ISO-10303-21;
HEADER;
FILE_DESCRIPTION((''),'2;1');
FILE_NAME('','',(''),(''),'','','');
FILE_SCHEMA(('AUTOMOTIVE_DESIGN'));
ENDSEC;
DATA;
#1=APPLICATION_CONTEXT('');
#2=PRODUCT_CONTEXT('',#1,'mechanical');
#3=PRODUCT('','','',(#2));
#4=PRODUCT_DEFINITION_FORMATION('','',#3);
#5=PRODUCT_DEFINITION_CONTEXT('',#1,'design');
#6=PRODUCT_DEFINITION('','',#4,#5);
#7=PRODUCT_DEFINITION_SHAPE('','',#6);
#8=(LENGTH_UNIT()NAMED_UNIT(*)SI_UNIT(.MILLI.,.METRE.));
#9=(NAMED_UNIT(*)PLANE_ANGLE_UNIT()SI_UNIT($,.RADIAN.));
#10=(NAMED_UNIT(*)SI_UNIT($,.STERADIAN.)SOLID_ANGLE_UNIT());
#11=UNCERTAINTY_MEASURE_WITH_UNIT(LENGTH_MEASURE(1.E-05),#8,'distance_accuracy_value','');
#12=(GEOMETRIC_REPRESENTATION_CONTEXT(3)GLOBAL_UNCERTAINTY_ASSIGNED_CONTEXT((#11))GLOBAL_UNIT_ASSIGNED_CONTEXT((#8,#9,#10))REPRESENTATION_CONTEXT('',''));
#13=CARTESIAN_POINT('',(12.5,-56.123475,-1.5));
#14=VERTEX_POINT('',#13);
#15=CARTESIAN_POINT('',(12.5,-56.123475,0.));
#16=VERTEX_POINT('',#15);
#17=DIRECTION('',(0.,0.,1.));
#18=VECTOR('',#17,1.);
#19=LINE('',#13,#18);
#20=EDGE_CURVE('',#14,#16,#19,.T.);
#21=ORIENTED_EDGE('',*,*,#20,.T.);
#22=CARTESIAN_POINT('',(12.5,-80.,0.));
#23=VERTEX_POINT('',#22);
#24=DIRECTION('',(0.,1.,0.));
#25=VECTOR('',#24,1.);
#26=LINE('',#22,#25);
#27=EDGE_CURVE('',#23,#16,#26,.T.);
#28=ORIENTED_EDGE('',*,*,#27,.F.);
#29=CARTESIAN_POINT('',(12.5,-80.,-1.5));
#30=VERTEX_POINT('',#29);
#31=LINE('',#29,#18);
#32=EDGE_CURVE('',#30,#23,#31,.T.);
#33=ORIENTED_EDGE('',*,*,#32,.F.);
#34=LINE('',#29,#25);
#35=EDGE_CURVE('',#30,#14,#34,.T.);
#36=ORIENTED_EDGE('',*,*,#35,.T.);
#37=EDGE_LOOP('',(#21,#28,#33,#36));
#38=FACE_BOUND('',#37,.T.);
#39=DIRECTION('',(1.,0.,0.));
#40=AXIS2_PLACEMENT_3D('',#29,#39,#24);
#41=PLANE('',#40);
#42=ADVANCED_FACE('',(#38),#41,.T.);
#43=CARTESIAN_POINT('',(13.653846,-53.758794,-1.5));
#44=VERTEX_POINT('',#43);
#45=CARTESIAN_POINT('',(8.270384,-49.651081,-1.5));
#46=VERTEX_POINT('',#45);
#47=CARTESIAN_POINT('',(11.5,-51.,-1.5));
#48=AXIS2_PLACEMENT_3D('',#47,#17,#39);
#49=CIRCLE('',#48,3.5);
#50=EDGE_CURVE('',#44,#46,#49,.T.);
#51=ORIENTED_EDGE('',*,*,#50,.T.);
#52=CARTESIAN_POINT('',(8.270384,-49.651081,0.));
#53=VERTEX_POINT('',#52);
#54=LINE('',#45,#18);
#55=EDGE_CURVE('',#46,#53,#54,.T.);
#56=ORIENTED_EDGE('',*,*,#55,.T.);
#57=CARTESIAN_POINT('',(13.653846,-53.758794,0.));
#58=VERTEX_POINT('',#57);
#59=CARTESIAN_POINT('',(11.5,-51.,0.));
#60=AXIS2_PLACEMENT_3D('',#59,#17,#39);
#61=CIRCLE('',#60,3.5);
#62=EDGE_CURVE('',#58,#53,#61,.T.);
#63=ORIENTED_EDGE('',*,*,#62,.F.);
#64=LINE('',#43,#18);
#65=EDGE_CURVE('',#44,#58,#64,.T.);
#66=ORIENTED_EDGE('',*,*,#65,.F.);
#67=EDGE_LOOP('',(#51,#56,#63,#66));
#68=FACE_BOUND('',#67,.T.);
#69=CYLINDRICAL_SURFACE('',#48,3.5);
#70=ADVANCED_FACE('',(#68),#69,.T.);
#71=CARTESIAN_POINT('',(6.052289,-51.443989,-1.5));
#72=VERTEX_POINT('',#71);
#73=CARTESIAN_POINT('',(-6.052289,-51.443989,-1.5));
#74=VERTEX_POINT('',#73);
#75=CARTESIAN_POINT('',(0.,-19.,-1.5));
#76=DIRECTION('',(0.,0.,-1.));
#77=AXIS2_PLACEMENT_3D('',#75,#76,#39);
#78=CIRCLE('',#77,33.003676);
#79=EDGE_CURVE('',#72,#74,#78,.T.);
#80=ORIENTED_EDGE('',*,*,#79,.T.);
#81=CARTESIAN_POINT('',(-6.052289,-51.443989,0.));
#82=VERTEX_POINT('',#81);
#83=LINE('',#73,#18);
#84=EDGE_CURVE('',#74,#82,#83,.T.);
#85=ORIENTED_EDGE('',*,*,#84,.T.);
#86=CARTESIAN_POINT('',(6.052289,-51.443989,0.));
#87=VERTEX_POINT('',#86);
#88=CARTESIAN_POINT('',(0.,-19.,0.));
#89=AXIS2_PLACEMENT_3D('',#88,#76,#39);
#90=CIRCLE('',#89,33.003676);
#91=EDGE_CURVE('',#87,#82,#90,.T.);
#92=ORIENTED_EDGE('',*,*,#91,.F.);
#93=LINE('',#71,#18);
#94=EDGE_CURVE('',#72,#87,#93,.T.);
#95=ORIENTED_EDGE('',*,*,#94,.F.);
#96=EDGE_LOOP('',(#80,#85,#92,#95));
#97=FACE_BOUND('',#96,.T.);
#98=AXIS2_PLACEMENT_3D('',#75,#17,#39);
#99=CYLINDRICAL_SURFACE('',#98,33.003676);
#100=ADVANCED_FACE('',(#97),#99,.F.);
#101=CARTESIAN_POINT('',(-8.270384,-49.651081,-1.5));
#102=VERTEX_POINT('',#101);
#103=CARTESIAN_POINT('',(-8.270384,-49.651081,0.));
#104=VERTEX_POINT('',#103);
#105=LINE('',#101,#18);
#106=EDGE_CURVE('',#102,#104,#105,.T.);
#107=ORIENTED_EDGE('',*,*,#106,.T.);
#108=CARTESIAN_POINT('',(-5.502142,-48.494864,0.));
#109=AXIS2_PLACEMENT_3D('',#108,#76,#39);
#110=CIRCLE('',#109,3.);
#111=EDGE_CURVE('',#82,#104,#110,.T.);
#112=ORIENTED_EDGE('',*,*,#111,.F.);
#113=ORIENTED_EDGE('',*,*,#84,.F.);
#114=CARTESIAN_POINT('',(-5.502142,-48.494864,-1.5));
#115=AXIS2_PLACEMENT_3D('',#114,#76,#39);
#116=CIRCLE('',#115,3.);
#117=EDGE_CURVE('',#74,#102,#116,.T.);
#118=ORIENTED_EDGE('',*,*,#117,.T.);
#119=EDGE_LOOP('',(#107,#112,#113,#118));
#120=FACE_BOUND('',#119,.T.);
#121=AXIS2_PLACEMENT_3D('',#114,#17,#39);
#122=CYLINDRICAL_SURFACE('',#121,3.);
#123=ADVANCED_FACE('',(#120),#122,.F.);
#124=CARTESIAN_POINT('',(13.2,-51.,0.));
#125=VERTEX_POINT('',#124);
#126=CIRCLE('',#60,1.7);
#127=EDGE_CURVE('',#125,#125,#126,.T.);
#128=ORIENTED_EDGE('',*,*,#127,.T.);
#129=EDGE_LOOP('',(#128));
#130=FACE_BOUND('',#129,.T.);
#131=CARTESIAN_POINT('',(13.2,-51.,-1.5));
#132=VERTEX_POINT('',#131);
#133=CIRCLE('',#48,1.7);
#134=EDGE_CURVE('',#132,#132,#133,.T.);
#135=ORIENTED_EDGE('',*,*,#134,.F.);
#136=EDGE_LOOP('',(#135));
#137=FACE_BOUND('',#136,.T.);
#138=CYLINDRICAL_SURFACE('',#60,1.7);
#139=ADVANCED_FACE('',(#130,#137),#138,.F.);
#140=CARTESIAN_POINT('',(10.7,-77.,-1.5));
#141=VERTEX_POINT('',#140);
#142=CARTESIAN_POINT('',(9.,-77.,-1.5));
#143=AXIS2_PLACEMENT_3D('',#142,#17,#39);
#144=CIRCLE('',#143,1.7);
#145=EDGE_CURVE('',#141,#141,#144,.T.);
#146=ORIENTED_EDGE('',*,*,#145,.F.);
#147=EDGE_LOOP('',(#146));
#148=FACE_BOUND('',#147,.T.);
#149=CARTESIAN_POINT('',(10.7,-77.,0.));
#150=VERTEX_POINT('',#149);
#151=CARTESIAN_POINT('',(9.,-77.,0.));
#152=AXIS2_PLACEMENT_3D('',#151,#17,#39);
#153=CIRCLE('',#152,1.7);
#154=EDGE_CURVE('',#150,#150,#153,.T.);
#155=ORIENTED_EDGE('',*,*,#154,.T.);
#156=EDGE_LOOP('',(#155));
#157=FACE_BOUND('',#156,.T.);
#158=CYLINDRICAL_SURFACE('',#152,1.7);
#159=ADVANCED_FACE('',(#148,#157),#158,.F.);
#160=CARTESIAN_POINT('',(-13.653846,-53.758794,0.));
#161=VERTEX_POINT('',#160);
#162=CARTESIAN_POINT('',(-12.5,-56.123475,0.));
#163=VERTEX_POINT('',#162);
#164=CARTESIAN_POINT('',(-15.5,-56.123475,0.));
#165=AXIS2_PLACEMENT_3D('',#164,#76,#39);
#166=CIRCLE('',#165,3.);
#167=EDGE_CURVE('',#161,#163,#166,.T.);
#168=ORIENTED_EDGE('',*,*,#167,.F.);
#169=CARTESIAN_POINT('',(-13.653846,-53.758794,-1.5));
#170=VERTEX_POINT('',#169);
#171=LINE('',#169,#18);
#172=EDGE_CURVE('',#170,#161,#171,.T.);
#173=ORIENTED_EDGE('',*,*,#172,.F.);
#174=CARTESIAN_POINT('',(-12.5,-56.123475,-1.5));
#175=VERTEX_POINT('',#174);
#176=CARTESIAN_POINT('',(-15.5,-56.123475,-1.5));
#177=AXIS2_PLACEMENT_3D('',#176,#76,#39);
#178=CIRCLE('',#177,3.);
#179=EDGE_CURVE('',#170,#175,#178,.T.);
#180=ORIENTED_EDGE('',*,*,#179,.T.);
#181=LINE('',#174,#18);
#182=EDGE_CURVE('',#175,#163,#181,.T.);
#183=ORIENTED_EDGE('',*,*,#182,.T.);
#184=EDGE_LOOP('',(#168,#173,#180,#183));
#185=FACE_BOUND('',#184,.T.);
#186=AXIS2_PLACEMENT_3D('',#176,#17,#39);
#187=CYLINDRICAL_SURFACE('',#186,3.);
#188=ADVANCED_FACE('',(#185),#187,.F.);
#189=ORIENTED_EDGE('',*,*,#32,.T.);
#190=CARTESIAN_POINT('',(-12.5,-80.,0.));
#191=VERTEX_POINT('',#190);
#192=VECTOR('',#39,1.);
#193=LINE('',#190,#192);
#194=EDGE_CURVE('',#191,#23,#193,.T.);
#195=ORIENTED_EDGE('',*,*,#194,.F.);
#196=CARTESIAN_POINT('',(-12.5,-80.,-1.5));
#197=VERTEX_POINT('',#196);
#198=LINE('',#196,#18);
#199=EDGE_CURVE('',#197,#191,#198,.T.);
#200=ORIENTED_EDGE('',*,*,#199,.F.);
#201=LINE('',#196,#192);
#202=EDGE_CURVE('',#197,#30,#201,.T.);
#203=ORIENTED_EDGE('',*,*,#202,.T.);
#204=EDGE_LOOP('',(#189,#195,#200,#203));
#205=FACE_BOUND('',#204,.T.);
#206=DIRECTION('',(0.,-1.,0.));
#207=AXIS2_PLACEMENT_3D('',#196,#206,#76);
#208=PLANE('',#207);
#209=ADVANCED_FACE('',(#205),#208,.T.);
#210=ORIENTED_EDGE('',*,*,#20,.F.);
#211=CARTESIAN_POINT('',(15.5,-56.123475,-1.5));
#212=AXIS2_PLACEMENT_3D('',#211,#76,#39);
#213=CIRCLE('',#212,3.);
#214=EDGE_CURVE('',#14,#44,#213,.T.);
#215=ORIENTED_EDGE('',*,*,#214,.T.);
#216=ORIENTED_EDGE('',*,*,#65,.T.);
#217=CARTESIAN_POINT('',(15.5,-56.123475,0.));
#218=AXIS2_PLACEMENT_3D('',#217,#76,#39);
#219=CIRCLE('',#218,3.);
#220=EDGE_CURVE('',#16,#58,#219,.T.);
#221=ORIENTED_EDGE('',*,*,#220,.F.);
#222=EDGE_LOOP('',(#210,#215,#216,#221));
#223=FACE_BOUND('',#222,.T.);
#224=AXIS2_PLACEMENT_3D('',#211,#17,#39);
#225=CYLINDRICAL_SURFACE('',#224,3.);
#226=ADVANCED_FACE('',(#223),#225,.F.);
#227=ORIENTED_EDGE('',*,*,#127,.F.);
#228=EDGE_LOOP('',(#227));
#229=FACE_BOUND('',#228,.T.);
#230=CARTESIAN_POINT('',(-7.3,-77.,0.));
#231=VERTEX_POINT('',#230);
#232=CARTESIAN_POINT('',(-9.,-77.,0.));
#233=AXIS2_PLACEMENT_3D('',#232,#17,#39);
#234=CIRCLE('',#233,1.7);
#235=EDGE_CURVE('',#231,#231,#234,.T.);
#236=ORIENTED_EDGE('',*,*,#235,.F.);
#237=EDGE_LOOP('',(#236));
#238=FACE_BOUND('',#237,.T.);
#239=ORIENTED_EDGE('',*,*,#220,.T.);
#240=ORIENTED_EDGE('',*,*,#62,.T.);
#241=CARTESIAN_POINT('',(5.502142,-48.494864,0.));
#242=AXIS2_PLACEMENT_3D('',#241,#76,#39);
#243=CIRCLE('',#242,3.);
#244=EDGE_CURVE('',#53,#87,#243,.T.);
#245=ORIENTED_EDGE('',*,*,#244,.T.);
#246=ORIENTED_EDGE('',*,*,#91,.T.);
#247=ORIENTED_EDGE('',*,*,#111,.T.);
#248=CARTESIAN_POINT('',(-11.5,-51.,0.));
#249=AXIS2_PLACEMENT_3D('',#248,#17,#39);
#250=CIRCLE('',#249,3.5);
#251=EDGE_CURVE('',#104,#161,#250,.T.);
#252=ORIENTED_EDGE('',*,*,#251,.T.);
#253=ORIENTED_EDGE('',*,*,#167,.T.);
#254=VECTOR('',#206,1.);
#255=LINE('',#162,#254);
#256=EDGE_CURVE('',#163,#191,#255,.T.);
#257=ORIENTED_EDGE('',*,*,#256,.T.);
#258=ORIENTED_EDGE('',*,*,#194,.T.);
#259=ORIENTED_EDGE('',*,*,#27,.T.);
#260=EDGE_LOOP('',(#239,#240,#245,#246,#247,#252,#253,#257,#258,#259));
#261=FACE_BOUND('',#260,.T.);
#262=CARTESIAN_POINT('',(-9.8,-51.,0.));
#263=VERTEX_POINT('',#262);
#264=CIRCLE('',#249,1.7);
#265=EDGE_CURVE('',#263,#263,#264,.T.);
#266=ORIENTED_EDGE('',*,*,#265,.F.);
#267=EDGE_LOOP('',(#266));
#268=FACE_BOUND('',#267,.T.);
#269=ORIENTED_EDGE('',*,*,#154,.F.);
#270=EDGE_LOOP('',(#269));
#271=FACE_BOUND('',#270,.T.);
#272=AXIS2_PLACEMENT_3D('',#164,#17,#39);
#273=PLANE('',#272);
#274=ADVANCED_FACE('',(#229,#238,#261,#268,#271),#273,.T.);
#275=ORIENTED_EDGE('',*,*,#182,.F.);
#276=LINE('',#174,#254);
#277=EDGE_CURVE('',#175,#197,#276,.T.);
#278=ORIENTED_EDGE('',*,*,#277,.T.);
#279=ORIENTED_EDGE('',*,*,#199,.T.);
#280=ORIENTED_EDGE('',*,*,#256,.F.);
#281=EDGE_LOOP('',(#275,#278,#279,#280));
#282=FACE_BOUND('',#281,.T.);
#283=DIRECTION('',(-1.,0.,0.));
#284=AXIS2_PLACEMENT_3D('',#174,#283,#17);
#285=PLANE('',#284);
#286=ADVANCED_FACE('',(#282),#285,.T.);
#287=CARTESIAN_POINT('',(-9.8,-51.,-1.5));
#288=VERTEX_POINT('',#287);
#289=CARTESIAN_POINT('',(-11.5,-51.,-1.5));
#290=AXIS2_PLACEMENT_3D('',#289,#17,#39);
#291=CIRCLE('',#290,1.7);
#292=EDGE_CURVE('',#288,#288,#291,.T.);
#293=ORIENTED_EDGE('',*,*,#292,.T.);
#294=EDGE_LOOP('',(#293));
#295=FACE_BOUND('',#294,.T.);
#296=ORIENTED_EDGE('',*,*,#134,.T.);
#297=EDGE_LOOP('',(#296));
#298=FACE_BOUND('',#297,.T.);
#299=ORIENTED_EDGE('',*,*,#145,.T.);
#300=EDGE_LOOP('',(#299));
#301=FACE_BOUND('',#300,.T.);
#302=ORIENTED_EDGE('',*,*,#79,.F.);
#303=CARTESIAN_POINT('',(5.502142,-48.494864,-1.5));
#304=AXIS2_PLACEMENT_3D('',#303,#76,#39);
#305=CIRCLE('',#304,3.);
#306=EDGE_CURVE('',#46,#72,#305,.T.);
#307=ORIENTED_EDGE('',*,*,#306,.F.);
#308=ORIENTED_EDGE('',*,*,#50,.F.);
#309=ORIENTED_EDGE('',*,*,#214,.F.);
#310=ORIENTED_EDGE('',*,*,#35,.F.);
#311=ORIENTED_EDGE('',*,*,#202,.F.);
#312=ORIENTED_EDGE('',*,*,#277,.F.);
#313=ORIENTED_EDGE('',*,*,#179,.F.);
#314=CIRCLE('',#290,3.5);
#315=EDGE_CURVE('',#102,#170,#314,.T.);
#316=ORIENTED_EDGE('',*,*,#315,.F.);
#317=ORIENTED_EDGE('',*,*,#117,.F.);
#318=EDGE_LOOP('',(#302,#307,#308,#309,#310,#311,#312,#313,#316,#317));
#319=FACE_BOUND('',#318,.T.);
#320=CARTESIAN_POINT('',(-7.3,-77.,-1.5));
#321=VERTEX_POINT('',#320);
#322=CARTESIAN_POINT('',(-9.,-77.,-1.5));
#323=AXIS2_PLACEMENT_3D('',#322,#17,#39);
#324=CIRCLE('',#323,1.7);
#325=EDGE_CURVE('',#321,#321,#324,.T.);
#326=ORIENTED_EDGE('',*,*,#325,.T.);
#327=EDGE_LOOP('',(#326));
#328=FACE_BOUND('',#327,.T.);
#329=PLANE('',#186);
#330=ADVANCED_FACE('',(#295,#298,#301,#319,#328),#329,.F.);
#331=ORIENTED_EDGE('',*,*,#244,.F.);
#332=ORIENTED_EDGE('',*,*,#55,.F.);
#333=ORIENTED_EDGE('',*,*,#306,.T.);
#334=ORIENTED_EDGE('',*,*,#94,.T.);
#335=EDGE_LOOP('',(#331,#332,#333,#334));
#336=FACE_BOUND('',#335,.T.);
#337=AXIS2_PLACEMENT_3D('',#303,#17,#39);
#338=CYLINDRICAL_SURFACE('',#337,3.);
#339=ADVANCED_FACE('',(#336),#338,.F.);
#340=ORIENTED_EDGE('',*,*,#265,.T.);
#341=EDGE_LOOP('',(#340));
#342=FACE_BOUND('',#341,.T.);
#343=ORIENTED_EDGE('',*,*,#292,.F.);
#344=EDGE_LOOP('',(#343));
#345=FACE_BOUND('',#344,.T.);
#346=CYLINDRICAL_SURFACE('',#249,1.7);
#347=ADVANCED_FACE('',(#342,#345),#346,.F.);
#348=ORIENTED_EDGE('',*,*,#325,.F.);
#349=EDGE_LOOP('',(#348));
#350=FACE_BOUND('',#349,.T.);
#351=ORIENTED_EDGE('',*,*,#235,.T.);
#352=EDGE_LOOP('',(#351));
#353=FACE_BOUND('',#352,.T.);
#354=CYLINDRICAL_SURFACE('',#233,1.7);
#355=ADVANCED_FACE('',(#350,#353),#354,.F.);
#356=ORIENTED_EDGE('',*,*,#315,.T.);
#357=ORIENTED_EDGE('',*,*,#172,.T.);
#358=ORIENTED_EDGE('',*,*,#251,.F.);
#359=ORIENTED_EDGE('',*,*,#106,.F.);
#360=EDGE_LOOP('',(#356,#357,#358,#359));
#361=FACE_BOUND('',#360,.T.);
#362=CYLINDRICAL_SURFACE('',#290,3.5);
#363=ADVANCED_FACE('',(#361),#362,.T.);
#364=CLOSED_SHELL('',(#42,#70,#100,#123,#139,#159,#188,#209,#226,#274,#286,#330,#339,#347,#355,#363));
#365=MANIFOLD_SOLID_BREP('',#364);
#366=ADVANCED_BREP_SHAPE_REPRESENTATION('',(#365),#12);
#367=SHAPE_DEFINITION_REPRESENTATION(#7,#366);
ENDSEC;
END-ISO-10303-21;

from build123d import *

# Parameters (mm, degrees)
EXTRUDE_1_DEPTH       = 1.5
HOLE_WIZARD_M31_D     = 3.4
HOLE_WIZARD_M31_DEPTH = 1.5


with BuildPart() as part:
    # Эскиз1 → Бобышка-Вытянуть1 (new body)
    with BuildSketch(Plane.XY):
        with BuildLine():
            Line((-12.5, -56.123475383), (-12.5, -80))
            Line((-12.5, -80), (12.5, -80))
            Line((12.5, -80), (12.5, -56.123475383))
            ThreePointArc((12.5, -56.123475383), (12.803848897, -54.807888354), (13.653846154, -53.758794437))
            ThreePointArc((13.653846154, -53.758794437), (13.623122203, -48.217491759), (8.270384407, -49.651080759))
            ThreePointArc((8.270384407, -49.651080759), (7.388025887, -50.827983152), (6.0522893, -51.4439893))
            ThreePointArc((6.0522893, -51.4439893), (0, -52.003676272), (-6.0522893, -51.4439893))
            ThreePointArc((-6.0522893, -51.4439893), (-7.388025887, -50.827983152), (-8.270384407, -49.651080759))
            ThreePointArc((-8.270384407, -49.651080759), (-13.623122203, -48.217491759), (-13.653846154, -53.758794437))
            ThreePointArc((-13.653846154, -53.758794437), (-12.803848897, -54.807888354), (-12.5, -56.123475383))
        make_face()
    extrude(amount=-EXTRUDE_1_DEPTH)

    # Отверстие с зазором M31
    with Locations(Plane.XY):
        with Locations((11.5, -51), (-11.5, -51), (9, -77), (-9, -77)):
            Hole(HOLE_WIZARD_M31_D / 2, depth=HOLE_WIZARD_M31_DEPTH)


solid = part.part
